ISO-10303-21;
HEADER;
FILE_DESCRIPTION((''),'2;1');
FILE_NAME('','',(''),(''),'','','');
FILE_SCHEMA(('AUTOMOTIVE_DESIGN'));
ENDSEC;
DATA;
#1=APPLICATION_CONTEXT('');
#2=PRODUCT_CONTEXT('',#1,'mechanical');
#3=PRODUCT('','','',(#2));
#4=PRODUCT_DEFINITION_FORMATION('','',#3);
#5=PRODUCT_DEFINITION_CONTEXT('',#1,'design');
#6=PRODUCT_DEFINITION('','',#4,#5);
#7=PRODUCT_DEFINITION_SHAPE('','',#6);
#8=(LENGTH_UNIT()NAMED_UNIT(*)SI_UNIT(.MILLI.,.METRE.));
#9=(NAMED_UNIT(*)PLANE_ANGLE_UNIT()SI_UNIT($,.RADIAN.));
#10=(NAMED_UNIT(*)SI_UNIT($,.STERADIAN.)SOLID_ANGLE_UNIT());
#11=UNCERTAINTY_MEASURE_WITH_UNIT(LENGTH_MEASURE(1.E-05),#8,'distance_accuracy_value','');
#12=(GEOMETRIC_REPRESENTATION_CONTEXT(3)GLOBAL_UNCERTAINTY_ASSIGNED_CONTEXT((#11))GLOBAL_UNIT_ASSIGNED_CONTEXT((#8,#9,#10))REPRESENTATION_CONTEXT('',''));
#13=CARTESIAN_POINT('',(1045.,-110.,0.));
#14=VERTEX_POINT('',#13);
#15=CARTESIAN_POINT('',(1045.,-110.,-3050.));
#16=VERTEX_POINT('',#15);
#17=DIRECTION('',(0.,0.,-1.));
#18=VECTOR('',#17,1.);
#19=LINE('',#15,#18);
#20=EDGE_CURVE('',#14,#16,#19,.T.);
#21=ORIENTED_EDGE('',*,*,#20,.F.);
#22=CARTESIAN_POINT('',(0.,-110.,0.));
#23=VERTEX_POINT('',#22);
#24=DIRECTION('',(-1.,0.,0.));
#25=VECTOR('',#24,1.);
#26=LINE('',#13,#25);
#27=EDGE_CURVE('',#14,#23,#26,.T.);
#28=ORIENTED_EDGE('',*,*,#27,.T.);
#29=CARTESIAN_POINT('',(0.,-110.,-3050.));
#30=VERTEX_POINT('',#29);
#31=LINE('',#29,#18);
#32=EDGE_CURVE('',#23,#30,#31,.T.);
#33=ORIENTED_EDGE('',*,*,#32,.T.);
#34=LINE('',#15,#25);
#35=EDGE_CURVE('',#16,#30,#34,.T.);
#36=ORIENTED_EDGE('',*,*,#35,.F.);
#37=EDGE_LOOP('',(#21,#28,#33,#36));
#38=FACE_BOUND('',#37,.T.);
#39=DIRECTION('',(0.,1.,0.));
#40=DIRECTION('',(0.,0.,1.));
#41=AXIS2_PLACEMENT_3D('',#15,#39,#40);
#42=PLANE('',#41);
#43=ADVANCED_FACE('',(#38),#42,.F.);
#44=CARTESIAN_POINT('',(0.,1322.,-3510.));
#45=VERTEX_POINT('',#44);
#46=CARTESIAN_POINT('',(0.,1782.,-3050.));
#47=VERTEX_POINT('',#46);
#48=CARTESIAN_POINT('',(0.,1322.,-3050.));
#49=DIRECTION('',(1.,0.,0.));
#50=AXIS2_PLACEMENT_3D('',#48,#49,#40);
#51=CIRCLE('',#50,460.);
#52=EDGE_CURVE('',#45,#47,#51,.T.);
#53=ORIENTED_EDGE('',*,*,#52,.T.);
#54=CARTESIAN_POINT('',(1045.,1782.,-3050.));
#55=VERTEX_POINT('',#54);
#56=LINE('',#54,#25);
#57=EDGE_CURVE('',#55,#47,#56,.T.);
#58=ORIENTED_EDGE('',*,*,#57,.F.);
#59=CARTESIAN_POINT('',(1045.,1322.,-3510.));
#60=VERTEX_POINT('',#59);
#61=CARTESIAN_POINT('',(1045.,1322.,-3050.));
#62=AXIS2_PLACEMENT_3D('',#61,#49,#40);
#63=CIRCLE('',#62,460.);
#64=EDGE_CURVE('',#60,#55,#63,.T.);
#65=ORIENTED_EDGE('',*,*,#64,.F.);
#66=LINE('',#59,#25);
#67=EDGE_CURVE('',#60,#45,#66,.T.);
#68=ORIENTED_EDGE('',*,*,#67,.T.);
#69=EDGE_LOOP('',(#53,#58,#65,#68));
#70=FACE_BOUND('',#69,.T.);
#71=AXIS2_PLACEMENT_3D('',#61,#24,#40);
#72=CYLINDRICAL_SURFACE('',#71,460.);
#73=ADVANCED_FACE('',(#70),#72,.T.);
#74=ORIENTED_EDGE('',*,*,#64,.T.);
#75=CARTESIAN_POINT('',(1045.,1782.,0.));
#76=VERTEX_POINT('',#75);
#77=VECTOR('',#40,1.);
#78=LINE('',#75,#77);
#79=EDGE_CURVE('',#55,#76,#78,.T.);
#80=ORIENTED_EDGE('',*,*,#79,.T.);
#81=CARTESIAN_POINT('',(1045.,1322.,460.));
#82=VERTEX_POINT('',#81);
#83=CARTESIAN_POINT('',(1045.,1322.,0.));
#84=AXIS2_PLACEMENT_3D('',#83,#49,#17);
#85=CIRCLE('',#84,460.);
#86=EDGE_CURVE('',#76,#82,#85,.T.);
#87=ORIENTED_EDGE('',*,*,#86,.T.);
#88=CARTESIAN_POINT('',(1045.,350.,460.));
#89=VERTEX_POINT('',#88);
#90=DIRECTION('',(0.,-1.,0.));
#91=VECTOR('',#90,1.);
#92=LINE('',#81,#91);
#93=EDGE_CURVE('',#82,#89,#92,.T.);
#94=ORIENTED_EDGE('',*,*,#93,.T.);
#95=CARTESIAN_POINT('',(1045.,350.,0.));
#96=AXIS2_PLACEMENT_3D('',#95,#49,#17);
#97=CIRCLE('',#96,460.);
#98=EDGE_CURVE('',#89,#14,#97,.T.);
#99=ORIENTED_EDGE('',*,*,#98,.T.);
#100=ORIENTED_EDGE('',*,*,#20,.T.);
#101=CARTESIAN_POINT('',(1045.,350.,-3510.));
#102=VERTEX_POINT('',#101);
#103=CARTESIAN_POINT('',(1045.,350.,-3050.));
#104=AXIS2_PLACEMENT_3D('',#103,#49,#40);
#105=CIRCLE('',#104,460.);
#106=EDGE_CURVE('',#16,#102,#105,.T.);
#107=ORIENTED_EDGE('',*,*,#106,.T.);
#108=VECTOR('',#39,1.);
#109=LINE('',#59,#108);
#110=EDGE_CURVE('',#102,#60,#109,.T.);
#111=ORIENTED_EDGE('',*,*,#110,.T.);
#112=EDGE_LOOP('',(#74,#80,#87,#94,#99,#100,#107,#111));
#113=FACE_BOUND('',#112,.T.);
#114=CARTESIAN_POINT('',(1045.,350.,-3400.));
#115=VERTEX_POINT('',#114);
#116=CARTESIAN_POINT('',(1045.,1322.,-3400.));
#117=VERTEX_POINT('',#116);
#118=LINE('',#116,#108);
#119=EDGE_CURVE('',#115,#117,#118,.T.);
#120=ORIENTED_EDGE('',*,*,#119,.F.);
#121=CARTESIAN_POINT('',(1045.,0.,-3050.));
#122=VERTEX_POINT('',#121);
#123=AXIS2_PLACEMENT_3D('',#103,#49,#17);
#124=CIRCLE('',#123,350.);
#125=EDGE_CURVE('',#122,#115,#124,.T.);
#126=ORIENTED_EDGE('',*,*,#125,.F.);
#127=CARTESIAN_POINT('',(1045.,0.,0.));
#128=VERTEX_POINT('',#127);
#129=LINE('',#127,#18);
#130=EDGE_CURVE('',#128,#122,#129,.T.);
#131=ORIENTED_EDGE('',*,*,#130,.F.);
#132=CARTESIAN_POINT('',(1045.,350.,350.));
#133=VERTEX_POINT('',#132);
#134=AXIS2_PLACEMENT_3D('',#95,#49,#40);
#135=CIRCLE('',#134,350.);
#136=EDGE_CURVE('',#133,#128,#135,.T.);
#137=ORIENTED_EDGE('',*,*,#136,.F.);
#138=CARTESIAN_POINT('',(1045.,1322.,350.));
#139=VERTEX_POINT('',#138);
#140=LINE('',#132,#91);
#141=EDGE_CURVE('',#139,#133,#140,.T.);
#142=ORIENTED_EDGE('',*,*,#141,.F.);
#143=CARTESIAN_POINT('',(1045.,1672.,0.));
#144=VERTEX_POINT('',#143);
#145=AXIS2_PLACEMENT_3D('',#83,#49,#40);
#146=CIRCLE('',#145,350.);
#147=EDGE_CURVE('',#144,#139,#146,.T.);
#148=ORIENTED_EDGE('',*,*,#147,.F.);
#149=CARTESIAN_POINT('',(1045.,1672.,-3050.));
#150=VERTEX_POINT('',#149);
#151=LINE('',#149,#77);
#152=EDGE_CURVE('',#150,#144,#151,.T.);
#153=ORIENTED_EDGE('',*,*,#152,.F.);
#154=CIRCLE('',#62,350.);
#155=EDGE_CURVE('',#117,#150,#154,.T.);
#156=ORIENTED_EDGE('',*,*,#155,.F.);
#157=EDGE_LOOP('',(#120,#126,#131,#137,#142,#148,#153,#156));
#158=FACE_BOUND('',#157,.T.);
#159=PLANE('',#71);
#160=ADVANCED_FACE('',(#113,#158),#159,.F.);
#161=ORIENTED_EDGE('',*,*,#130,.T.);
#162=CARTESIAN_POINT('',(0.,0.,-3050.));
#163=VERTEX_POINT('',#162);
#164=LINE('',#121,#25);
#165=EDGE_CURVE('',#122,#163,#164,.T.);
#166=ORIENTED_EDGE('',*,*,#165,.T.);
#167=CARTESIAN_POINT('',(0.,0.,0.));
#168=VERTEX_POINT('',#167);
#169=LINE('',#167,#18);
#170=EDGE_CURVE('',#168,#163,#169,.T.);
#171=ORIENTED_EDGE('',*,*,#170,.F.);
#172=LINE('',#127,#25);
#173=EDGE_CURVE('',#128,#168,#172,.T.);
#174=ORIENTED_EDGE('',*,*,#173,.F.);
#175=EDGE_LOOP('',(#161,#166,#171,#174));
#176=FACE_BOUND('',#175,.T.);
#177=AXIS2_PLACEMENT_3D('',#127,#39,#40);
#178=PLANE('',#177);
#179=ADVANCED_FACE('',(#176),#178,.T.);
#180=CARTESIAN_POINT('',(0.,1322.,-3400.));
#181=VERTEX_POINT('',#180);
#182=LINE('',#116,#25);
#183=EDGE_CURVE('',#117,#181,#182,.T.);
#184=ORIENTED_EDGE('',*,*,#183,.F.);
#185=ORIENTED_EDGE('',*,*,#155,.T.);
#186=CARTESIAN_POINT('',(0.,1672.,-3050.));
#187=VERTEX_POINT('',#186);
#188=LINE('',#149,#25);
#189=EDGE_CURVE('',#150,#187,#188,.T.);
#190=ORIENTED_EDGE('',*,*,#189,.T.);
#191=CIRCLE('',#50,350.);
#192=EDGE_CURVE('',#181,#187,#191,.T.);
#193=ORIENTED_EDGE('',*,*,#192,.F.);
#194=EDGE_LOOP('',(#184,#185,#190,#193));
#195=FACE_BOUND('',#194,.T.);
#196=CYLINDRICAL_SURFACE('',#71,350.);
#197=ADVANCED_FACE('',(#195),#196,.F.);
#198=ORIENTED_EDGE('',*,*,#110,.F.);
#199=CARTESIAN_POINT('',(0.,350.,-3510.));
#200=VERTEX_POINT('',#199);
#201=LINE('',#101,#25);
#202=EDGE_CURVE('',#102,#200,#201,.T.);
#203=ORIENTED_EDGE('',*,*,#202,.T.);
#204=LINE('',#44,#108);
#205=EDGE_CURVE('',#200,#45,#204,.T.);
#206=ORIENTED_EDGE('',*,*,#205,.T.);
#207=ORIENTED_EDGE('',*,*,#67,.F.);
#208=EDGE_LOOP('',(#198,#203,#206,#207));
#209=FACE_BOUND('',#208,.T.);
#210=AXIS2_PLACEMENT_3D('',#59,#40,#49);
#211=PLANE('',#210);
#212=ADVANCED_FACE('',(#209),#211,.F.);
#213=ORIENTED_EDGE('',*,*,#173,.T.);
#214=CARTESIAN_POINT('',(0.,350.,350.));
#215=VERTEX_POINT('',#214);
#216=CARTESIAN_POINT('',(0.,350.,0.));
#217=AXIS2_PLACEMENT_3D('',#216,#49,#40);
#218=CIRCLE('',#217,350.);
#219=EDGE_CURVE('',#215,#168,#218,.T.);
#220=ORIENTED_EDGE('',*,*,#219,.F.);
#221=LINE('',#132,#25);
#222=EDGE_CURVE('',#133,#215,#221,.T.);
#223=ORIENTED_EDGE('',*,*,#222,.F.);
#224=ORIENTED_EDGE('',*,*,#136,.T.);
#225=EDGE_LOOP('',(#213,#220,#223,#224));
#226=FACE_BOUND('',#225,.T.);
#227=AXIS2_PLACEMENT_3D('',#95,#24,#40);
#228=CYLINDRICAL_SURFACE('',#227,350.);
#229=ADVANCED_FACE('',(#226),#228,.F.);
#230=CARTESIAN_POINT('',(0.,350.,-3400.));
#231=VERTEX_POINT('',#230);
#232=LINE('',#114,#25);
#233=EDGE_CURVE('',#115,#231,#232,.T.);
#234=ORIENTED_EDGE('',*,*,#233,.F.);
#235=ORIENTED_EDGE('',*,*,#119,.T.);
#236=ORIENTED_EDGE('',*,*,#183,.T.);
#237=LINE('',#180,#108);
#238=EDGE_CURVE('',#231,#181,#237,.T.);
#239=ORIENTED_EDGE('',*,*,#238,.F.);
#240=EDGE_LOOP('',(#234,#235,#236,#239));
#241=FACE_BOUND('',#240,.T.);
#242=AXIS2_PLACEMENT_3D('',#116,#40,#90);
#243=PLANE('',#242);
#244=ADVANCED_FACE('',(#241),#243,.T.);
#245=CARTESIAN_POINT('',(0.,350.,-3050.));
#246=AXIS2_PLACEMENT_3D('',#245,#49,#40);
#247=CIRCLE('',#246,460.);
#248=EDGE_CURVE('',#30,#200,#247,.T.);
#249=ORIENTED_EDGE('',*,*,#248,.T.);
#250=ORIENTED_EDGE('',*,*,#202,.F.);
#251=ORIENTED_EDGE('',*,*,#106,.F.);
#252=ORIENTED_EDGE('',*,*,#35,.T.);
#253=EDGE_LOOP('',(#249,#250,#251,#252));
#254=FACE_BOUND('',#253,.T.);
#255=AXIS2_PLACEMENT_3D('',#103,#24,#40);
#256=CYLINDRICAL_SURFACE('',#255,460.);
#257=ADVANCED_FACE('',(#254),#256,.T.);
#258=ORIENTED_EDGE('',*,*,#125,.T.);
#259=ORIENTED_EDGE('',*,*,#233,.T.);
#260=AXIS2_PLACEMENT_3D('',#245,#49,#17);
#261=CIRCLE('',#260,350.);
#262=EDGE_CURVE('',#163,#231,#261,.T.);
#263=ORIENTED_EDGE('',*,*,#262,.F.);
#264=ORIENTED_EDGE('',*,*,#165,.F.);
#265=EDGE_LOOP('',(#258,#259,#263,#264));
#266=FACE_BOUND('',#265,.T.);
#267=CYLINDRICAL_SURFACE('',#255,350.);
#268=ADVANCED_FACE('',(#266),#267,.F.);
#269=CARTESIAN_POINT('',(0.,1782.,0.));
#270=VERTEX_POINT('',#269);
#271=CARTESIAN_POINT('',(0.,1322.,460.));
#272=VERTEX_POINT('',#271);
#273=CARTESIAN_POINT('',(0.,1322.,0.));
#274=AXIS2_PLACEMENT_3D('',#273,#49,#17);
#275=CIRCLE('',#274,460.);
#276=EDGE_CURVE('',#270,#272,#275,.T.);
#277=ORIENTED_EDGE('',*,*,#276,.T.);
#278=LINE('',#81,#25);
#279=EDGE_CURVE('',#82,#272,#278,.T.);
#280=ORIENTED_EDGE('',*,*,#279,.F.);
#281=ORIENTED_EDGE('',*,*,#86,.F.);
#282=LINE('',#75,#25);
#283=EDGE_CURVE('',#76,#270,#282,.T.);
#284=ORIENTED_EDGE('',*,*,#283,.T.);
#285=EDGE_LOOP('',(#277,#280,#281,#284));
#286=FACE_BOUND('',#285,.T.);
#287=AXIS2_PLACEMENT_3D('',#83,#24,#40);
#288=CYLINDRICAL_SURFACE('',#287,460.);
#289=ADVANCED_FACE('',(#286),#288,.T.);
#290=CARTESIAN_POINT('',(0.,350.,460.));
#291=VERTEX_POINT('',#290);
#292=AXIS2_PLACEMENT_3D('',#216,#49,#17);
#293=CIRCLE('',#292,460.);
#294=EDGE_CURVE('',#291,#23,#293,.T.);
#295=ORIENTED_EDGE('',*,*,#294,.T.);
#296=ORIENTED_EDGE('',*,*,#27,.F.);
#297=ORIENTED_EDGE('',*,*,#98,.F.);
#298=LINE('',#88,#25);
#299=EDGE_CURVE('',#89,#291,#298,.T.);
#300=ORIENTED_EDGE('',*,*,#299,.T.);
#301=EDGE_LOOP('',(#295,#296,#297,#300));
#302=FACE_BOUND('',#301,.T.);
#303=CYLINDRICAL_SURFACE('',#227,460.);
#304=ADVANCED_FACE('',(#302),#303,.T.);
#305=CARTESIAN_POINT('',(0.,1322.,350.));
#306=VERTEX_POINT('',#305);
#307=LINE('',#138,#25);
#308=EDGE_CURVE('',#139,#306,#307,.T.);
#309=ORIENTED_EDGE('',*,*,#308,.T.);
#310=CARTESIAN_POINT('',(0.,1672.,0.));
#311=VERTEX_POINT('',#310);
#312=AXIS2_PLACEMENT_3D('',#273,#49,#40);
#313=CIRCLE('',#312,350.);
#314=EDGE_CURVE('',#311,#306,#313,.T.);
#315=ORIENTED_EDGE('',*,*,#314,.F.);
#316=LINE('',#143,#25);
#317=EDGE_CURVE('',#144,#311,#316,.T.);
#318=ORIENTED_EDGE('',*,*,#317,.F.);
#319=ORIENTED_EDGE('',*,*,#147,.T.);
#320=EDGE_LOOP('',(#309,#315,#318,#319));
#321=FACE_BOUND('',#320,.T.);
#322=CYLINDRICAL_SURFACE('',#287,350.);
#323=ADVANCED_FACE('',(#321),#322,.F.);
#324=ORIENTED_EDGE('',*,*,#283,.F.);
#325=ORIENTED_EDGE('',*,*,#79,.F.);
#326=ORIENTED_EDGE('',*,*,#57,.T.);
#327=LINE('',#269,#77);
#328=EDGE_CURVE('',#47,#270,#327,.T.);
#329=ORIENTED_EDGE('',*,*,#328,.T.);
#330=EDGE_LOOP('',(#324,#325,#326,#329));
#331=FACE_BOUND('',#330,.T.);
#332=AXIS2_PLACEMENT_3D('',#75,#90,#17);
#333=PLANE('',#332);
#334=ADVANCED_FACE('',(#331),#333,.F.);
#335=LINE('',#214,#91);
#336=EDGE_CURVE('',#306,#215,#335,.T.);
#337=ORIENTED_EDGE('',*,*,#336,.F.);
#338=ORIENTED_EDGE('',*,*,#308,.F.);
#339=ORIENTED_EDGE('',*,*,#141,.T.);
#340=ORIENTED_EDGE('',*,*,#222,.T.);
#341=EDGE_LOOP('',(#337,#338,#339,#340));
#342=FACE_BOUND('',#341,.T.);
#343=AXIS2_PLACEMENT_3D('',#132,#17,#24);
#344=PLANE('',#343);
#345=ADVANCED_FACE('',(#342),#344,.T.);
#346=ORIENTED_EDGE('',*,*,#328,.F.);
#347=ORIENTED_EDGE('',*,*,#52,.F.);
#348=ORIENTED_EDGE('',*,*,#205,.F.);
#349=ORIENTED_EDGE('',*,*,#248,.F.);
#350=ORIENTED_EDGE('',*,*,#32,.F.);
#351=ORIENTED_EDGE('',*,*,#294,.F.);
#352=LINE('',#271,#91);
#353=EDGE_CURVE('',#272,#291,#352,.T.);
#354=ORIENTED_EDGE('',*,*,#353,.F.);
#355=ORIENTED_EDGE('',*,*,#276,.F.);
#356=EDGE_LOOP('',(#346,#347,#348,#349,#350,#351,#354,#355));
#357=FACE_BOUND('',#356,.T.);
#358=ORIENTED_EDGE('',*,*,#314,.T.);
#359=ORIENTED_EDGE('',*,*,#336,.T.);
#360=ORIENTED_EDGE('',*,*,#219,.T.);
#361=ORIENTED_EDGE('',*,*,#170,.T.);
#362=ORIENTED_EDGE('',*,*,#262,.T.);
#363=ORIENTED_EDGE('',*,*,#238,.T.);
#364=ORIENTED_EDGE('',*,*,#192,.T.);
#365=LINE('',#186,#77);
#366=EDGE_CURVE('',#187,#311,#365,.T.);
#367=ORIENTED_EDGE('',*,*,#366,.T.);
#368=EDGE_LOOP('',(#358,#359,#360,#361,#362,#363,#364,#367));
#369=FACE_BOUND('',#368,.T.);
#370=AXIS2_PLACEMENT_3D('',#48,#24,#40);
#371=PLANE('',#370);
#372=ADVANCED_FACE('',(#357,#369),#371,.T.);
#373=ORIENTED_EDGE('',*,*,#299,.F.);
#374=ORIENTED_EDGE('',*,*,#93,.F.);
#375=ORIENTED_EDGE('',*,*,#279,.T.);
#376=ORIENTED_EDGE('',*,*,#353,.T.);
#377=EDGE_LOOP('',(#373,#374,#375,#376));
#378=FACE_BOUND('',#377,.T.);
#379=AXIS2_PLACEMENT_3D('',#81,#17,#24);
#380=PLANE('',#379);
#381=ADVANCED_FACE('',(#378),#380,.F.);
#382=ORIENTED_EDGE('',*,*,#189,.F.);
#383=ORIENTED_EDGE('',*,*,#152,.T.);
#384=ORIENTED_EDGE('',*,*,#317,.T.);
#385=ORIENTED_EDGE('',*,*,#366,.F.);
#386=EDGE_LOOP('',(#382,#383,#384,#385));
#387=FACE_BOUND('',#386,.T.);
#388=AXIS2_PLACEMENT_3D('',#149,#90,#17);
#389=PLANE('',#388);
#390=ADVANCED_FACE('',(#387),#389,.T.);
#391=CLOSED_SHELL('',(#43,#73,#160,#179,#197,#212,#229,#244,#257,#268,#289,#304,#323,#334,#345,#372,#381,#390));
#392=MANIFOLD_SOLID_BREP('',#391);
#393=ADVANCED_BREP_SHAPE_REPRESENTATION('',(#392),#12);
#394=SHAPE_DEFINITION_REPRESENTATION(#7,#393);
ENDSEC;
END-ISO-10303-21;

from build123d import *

# Parameters (mm, degrees)
BOSS_EXTRUDE1_DEPTH = 1045


with BuildPart() as part:
    # Sketch1 → Boss-Extrude1 (new body)
    with BuildSketch(Plane(origin=(0, 0, 0), x_dir=(0, 0, -1), z_dir=(1, 0, 0))):
        with BuildLine():
            Line((-460, 1322), (-460, 350))
            ThreePointArc((-460, 350), (-325.269119346, 24.730880654), (0, -110))
            Line((0, -110), (3050, -110))
            ThreePointArc((3050, -110), (3375.269119346, 24.730880654), (3510, 350))
            Line((3510, 350), (3510, 1322))
            ThreePointArc((3510, 1322), (3375.269119346, 1647.269119346), (3050, 1782))
            Line((3050, 1782), (0, 1782))
            ThreePointArc((0, 1782), (-325.269119346, 1647.269119346), (-460, 1322))
        make_face()
        with BuildLine():
            Line((0, 0), (3050, 0))
            ThreePointArc((3050, 0), (3297.487373415, 102.512626585), (3400, 350))
            Line((3400, 350), (3400, 1322))
            ThreePointArc((3400, 1322), (3297.487373415, 1569.487373415), (3050, 1672))
            Line((3050, 1672), (0, 1672))
            ThreePointArc((0, 1672), (-247.487373415, 1569.487373415), (-350, 1322))
            Line((-350, 1322), (-350, 350))
            ThreePointArc((-350, 350), (-247.487373415, 102.512626585), (0, 0))
        make_face(mode=Mode.SUBTRACT)
    extrude(amount=BOSS_EXTRUDE1_DEPTH)


solid = part.part
